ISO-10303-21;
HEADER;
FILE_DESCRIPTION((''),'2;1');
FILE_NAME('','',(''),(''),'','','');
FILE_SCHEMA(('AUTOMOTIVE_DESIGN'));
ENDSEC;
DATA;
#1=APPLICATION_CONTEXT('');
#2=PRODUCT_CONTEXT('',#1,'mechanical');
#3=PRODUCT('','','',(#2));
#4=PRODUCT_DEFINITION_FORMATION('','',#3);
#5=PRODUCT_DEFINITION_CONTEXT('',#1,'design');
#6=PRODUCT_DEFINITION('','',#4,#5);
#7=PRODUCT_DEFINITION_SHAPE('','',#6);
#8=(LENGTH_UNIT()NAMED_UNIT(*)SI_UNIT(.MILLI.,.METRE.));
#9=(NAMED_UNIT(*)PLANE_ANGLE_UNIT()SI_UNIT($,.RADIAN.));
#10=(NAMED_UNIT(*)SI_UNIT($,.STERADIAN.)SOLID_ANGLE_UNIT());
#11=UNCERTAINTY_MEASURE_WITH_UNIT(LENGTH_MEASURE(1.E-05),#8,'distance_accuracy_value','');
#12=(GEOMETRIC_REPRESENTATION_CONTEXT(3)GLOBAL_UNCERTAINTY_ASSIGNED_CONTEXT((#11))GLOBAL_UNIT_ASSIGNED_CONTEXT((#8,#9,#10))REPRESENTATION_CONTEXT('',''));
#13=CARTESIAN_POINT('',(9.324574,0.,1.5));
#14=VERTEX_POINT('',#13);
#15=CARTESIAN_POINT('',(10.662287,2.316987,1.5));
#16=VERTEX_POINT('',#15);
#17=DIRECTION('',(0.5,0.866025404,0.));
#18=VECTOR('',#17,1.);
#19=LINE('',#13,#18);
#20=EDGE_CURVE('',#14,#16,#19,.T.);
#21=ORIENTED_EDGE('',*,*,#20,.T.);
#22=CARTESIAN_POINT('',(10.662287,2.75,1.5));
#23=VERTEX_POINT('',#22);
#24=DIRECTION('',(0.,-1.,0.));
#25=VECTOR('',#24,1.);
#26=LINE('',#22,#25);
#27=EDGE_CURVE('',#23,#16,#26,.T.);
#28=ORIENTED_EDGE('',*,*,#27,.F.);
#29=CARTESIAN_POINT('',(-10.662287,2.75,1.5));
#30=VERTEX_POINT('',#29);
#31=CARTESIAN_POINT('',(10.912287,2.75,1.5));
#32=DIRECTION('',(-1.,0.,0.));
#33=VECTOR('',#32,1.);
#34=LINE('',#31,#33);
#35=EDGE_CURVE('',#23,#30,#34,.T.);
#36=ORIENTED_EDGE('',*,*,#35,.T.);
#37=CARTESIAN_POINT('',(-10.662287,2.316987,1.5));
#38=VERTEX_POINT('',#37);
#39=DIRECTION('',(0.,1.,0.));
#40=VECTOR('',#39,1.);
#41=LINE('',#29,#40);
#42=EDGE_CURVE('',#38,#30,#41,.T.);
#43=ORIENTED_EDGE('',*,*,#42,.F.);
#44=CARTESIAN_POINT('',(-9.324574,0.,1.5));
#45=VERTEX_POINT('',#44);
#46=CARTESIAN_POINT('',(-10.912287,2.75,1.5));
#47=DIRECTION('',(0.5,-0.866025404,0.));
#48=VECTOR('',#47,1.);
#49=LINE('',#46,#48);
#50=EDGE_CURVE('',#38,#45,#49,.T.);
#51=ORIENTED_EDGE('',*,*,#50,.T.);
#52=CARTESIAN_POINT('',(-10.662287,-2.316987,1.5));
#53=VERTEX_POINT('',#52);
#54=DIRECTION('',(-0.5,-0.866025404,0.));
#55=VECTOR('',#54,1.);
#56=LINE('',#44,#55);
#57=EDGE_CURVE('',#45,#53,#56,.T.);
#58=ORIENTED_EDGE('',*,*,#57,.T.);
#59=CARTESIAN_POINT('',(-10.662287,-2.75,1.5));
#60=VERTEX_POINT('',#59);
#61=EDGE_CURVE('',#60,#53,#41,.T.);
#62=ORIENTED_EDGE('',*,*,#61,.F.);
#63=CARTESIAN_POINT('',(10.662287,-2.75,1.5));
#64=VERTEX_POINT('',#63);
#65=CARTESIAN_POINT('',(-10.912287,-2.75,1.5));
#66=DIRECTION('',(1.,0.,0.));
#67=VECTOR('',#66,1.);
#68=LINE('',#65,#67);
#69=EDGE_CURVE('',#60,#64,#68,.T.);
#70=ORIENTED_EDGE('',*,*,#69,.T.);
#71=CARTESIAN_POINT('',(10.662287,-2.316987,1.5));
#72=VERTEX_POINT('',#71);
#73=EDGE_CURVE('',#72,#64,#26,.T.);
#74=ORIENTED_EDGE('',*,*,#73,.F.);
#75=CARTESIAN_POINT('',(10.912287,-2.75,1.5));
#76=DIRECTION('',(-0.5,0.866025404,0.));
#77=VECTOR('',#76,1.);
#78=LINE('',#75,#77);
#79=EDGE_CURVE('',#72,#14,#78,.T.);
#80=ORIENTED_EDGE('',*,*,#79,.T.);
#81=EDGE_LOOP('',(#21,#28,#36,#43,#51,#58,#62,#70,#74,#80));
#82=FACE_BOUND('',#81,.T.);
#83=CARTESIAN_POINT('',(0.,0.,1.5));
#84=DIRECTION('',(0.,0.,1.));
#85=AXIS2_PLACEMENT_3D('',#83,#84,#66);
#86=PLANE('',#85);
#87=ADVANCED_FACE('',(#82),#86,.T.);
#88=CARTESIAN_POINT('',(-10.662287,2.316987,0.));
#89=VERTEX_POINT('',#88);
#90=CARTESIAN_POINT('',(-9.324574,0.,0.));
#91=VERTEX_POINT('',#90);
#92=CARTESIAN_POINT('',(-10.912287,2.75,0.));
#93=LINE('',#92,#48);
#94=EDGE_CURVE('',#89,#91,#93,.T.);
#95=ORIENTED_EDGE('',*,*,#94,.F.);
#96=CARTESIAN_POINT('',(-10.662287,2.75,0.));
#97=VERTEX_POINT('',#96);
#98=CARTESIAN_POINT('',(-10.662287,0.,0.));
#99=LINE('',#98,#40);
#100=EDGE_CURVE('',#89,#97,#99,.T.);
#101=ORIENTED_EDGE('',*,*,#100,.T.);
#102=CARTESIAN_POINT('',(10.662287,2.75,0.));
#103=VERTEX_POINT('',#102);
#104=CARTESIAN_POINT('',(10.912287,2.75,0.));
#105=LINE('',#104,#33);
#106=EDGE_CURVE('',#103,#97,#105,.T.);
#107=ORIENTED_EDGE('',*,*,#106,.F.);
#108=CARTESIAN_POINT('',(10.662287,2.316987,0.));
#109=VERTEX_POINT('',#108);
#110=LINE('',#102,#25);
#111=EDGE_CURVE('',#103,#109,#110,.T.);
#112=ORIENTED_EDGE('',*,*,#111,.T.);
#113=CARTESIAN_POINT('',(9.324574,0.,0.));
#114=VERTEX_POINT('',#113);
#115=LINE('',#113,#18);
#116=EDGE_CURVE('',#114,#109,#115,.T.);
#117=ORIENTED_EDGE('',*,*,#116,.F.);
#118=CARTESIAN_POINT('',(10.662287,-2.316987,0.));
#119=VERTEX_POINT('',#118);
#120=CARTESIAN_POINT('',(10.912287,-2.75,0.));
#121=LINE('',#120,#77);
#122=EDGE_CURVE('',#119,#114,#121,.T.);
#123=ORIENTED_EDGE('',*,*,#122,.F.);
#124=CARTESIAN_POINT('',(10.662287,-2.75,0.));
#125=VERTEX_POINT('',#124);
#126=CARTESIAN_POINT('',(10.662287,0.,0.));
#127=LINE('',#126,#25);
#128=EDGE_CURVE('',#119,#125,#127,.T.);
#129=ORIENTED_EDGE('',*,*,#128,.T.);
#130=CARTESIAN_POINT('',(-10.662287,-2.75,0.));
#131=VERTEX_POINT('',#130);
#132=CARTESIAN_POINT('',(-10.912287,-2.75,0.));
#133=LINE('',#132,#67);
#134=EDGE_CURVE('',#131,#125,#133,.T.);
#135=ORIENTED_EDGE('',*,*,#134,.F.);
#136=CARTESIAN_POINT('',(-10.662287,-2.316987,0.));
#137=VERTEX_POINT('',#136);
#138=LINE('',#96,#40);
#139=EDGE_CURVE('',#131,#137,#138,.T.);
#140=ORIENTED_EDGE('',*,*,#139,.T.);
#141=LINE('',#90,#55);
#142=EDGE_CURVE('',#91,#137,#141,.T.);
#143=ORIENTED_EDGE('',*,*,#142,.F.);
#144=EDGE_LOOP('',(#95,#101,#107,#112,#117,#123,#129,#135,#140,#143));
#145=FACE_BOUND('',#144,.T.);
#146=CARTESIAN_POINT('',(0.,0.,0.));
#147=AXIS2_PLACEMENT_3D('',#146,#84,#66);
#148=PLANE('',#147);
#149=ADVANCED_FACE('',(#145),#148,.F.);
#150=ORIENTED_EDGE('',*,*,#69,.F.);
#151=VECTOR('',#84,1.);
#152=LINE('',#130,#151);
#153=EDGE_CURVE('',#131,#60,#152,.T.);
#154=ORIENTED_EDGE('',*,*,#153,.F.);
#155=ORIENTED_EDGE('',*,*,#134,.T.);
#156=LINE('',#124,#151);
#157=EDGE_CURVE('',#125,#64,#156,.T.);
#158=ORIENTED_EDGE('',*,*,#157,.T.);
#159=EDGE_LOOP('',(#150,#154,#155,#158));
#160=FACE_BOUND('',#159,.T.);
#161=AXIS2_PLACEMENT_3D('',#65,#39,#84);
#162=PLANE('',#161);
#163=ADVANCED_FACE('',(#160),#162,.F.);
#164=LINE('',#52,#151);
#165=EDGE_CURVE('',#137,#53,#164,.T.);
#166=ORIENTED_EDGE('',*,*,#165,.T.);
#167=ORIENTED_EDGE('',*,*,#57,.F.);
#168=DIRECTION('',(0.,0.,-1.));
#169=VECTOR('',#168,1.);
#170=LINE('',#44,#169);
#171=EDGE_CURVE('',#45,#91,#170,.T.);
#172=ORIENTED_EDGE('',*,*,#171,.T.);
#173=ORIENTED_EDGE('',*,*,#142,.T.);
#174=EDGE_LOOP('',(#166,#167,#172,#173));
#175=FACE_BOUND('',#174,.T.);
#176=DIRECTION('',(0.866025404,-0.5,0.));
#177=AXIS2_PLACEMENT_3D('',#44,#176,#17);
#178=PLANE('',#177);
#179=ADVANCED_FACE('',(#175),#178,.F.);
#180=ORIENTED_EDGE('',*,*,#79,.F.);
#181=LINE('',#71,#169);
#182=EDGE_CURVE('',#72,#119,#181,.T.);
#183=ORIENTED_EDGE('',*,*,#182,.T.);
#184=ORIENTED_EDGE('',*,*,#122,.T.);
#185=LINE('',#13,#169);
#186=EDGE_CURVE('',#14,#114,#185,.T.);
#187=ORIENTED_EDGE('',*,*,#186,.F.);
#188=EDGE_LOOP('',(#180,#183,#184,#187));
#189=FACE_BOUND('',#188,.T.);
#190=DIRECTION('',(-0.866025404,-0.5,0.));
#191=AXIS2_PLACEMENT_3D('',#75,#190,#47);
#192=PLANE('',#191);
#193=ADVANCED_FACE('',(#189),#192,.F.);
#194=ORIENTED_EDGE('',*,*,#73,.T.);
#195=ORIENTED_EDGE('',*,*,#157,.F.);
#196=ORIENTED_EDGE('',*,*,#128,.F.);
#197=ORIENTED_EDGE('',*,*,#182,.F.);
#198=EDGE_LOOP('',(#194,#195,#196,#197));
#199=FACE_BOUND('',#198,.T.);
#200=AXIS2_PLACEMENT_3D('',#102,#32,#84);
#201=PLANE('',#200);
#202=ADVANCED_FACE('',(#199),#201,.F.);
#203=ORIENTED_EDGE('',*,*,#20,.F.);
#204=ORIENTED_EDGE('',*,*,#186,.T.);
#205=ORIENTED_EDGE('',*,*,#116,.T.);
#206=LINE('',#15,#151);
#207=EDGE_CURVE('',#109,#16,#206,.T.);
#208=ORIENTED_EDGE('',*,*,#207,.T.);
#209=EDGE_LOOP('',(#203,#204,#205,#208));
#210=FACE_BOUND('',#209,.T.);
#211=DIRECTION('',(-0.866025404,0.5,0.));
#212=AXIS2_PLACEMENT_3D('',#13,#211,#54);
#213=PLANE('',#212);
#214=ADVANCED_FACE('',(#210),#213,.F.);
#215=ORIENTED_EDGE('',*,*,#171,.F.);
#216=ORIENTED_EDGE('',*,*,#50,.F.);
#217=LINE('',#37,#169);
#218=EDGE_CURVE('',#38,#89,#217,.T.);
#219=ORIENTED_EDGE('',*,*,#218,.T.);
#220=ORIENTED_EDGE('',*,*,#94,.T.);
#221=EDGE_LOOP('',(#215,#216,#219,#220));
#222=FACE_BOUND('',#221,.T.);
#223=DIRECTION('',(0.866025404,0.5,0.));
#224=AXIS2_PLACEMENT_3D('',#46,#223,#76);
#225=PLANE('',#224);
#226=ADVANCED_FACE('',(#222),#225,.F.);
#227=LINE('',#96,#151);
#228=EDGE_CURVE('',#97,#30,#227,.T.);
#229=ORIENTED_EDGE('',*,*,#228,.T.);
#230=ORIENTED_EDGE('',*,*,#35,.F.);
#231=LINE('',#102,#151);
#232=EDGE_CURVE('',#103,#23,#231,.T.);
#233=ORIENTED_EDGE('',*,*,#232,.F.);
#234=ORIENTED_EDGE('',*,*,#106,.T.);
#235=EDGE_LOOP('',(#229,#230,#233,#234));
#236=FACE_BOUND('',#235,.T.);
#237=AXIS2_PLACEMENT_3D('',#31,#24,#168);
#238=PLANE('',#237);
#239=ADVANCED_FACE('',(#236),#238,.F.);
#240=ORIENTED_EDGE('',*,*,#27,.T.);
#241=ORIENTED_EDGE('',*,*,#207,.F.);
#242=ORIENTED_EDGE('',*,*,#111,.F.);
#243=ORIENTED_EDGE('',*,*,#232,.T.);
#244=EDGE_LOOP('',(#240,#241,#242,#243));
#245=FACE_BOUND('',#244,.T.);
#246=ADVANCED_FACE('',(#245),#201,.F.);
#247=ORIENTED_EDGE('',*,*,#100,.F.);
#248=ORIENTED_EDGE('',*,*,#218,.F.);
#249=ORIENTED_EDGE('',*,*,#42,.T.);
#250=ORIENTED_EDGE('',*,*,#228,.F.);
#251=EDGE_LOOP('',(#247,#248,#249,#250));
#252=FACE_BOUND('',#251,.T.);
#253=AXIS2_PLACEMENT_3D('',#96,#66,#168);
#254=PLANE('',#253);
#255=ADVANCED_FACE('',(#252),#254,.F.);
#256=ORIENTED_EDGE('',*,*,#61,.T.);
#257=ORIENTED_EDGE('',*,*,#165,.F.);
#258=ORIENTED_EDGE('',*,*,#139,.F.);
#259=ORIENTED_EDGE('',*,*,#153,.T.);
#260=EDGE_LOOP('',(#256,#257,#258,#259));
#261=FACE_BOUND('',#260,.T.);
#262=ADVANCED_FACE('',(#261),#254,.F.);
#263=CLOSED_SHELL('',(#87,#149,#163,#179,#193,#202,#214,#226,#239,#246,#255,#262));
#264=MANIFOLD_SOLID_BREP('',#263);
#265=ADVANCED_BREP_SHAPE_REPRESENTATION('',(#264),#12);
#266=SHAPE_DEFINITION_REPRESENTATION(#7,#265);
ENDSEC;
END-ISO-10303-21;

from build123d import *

# Parameters (mm, degrees)
BOSS_EXTRUDE1_DEPTH = 1.5
SKETCH3_W           = 0.25
SKETCH3_H           = 5.5
CUT_EXTRUDE1_DEPTH  = 12.352995302


with BuildPart() as part:
    # Sketch2 → Boss-Extrude1 (new body)
    with BuildSketch(Plane.XY):
        Polygon((-10.91228676, 2.75), (-9.324573519, 0), (-10.91228676, -2.75), (10.91228676, -2.75), (9.324573519, 0), (10.91228676, 2.75), align=None)
    extrude(amount=BOSS_EXTRUDE1_DEPTH)

    # Sketch3 → Cut-Extrude1 (cut, through all)
    with BuildSketch(Plane.XY.offset(1.5)):
        with Locations((10.78728676, 0)):
            Rectangle(SKETCH3_W, SKETCH3_H)
        with Locations((-10.78728676, 0)):
            Rectangle(SKETCH3_W, SKETCH3_H)
    extrude(amount=-CUT_EXTRUDE1_DEPTH, mode=Mode.SUBTRACT)


solid = part.part
